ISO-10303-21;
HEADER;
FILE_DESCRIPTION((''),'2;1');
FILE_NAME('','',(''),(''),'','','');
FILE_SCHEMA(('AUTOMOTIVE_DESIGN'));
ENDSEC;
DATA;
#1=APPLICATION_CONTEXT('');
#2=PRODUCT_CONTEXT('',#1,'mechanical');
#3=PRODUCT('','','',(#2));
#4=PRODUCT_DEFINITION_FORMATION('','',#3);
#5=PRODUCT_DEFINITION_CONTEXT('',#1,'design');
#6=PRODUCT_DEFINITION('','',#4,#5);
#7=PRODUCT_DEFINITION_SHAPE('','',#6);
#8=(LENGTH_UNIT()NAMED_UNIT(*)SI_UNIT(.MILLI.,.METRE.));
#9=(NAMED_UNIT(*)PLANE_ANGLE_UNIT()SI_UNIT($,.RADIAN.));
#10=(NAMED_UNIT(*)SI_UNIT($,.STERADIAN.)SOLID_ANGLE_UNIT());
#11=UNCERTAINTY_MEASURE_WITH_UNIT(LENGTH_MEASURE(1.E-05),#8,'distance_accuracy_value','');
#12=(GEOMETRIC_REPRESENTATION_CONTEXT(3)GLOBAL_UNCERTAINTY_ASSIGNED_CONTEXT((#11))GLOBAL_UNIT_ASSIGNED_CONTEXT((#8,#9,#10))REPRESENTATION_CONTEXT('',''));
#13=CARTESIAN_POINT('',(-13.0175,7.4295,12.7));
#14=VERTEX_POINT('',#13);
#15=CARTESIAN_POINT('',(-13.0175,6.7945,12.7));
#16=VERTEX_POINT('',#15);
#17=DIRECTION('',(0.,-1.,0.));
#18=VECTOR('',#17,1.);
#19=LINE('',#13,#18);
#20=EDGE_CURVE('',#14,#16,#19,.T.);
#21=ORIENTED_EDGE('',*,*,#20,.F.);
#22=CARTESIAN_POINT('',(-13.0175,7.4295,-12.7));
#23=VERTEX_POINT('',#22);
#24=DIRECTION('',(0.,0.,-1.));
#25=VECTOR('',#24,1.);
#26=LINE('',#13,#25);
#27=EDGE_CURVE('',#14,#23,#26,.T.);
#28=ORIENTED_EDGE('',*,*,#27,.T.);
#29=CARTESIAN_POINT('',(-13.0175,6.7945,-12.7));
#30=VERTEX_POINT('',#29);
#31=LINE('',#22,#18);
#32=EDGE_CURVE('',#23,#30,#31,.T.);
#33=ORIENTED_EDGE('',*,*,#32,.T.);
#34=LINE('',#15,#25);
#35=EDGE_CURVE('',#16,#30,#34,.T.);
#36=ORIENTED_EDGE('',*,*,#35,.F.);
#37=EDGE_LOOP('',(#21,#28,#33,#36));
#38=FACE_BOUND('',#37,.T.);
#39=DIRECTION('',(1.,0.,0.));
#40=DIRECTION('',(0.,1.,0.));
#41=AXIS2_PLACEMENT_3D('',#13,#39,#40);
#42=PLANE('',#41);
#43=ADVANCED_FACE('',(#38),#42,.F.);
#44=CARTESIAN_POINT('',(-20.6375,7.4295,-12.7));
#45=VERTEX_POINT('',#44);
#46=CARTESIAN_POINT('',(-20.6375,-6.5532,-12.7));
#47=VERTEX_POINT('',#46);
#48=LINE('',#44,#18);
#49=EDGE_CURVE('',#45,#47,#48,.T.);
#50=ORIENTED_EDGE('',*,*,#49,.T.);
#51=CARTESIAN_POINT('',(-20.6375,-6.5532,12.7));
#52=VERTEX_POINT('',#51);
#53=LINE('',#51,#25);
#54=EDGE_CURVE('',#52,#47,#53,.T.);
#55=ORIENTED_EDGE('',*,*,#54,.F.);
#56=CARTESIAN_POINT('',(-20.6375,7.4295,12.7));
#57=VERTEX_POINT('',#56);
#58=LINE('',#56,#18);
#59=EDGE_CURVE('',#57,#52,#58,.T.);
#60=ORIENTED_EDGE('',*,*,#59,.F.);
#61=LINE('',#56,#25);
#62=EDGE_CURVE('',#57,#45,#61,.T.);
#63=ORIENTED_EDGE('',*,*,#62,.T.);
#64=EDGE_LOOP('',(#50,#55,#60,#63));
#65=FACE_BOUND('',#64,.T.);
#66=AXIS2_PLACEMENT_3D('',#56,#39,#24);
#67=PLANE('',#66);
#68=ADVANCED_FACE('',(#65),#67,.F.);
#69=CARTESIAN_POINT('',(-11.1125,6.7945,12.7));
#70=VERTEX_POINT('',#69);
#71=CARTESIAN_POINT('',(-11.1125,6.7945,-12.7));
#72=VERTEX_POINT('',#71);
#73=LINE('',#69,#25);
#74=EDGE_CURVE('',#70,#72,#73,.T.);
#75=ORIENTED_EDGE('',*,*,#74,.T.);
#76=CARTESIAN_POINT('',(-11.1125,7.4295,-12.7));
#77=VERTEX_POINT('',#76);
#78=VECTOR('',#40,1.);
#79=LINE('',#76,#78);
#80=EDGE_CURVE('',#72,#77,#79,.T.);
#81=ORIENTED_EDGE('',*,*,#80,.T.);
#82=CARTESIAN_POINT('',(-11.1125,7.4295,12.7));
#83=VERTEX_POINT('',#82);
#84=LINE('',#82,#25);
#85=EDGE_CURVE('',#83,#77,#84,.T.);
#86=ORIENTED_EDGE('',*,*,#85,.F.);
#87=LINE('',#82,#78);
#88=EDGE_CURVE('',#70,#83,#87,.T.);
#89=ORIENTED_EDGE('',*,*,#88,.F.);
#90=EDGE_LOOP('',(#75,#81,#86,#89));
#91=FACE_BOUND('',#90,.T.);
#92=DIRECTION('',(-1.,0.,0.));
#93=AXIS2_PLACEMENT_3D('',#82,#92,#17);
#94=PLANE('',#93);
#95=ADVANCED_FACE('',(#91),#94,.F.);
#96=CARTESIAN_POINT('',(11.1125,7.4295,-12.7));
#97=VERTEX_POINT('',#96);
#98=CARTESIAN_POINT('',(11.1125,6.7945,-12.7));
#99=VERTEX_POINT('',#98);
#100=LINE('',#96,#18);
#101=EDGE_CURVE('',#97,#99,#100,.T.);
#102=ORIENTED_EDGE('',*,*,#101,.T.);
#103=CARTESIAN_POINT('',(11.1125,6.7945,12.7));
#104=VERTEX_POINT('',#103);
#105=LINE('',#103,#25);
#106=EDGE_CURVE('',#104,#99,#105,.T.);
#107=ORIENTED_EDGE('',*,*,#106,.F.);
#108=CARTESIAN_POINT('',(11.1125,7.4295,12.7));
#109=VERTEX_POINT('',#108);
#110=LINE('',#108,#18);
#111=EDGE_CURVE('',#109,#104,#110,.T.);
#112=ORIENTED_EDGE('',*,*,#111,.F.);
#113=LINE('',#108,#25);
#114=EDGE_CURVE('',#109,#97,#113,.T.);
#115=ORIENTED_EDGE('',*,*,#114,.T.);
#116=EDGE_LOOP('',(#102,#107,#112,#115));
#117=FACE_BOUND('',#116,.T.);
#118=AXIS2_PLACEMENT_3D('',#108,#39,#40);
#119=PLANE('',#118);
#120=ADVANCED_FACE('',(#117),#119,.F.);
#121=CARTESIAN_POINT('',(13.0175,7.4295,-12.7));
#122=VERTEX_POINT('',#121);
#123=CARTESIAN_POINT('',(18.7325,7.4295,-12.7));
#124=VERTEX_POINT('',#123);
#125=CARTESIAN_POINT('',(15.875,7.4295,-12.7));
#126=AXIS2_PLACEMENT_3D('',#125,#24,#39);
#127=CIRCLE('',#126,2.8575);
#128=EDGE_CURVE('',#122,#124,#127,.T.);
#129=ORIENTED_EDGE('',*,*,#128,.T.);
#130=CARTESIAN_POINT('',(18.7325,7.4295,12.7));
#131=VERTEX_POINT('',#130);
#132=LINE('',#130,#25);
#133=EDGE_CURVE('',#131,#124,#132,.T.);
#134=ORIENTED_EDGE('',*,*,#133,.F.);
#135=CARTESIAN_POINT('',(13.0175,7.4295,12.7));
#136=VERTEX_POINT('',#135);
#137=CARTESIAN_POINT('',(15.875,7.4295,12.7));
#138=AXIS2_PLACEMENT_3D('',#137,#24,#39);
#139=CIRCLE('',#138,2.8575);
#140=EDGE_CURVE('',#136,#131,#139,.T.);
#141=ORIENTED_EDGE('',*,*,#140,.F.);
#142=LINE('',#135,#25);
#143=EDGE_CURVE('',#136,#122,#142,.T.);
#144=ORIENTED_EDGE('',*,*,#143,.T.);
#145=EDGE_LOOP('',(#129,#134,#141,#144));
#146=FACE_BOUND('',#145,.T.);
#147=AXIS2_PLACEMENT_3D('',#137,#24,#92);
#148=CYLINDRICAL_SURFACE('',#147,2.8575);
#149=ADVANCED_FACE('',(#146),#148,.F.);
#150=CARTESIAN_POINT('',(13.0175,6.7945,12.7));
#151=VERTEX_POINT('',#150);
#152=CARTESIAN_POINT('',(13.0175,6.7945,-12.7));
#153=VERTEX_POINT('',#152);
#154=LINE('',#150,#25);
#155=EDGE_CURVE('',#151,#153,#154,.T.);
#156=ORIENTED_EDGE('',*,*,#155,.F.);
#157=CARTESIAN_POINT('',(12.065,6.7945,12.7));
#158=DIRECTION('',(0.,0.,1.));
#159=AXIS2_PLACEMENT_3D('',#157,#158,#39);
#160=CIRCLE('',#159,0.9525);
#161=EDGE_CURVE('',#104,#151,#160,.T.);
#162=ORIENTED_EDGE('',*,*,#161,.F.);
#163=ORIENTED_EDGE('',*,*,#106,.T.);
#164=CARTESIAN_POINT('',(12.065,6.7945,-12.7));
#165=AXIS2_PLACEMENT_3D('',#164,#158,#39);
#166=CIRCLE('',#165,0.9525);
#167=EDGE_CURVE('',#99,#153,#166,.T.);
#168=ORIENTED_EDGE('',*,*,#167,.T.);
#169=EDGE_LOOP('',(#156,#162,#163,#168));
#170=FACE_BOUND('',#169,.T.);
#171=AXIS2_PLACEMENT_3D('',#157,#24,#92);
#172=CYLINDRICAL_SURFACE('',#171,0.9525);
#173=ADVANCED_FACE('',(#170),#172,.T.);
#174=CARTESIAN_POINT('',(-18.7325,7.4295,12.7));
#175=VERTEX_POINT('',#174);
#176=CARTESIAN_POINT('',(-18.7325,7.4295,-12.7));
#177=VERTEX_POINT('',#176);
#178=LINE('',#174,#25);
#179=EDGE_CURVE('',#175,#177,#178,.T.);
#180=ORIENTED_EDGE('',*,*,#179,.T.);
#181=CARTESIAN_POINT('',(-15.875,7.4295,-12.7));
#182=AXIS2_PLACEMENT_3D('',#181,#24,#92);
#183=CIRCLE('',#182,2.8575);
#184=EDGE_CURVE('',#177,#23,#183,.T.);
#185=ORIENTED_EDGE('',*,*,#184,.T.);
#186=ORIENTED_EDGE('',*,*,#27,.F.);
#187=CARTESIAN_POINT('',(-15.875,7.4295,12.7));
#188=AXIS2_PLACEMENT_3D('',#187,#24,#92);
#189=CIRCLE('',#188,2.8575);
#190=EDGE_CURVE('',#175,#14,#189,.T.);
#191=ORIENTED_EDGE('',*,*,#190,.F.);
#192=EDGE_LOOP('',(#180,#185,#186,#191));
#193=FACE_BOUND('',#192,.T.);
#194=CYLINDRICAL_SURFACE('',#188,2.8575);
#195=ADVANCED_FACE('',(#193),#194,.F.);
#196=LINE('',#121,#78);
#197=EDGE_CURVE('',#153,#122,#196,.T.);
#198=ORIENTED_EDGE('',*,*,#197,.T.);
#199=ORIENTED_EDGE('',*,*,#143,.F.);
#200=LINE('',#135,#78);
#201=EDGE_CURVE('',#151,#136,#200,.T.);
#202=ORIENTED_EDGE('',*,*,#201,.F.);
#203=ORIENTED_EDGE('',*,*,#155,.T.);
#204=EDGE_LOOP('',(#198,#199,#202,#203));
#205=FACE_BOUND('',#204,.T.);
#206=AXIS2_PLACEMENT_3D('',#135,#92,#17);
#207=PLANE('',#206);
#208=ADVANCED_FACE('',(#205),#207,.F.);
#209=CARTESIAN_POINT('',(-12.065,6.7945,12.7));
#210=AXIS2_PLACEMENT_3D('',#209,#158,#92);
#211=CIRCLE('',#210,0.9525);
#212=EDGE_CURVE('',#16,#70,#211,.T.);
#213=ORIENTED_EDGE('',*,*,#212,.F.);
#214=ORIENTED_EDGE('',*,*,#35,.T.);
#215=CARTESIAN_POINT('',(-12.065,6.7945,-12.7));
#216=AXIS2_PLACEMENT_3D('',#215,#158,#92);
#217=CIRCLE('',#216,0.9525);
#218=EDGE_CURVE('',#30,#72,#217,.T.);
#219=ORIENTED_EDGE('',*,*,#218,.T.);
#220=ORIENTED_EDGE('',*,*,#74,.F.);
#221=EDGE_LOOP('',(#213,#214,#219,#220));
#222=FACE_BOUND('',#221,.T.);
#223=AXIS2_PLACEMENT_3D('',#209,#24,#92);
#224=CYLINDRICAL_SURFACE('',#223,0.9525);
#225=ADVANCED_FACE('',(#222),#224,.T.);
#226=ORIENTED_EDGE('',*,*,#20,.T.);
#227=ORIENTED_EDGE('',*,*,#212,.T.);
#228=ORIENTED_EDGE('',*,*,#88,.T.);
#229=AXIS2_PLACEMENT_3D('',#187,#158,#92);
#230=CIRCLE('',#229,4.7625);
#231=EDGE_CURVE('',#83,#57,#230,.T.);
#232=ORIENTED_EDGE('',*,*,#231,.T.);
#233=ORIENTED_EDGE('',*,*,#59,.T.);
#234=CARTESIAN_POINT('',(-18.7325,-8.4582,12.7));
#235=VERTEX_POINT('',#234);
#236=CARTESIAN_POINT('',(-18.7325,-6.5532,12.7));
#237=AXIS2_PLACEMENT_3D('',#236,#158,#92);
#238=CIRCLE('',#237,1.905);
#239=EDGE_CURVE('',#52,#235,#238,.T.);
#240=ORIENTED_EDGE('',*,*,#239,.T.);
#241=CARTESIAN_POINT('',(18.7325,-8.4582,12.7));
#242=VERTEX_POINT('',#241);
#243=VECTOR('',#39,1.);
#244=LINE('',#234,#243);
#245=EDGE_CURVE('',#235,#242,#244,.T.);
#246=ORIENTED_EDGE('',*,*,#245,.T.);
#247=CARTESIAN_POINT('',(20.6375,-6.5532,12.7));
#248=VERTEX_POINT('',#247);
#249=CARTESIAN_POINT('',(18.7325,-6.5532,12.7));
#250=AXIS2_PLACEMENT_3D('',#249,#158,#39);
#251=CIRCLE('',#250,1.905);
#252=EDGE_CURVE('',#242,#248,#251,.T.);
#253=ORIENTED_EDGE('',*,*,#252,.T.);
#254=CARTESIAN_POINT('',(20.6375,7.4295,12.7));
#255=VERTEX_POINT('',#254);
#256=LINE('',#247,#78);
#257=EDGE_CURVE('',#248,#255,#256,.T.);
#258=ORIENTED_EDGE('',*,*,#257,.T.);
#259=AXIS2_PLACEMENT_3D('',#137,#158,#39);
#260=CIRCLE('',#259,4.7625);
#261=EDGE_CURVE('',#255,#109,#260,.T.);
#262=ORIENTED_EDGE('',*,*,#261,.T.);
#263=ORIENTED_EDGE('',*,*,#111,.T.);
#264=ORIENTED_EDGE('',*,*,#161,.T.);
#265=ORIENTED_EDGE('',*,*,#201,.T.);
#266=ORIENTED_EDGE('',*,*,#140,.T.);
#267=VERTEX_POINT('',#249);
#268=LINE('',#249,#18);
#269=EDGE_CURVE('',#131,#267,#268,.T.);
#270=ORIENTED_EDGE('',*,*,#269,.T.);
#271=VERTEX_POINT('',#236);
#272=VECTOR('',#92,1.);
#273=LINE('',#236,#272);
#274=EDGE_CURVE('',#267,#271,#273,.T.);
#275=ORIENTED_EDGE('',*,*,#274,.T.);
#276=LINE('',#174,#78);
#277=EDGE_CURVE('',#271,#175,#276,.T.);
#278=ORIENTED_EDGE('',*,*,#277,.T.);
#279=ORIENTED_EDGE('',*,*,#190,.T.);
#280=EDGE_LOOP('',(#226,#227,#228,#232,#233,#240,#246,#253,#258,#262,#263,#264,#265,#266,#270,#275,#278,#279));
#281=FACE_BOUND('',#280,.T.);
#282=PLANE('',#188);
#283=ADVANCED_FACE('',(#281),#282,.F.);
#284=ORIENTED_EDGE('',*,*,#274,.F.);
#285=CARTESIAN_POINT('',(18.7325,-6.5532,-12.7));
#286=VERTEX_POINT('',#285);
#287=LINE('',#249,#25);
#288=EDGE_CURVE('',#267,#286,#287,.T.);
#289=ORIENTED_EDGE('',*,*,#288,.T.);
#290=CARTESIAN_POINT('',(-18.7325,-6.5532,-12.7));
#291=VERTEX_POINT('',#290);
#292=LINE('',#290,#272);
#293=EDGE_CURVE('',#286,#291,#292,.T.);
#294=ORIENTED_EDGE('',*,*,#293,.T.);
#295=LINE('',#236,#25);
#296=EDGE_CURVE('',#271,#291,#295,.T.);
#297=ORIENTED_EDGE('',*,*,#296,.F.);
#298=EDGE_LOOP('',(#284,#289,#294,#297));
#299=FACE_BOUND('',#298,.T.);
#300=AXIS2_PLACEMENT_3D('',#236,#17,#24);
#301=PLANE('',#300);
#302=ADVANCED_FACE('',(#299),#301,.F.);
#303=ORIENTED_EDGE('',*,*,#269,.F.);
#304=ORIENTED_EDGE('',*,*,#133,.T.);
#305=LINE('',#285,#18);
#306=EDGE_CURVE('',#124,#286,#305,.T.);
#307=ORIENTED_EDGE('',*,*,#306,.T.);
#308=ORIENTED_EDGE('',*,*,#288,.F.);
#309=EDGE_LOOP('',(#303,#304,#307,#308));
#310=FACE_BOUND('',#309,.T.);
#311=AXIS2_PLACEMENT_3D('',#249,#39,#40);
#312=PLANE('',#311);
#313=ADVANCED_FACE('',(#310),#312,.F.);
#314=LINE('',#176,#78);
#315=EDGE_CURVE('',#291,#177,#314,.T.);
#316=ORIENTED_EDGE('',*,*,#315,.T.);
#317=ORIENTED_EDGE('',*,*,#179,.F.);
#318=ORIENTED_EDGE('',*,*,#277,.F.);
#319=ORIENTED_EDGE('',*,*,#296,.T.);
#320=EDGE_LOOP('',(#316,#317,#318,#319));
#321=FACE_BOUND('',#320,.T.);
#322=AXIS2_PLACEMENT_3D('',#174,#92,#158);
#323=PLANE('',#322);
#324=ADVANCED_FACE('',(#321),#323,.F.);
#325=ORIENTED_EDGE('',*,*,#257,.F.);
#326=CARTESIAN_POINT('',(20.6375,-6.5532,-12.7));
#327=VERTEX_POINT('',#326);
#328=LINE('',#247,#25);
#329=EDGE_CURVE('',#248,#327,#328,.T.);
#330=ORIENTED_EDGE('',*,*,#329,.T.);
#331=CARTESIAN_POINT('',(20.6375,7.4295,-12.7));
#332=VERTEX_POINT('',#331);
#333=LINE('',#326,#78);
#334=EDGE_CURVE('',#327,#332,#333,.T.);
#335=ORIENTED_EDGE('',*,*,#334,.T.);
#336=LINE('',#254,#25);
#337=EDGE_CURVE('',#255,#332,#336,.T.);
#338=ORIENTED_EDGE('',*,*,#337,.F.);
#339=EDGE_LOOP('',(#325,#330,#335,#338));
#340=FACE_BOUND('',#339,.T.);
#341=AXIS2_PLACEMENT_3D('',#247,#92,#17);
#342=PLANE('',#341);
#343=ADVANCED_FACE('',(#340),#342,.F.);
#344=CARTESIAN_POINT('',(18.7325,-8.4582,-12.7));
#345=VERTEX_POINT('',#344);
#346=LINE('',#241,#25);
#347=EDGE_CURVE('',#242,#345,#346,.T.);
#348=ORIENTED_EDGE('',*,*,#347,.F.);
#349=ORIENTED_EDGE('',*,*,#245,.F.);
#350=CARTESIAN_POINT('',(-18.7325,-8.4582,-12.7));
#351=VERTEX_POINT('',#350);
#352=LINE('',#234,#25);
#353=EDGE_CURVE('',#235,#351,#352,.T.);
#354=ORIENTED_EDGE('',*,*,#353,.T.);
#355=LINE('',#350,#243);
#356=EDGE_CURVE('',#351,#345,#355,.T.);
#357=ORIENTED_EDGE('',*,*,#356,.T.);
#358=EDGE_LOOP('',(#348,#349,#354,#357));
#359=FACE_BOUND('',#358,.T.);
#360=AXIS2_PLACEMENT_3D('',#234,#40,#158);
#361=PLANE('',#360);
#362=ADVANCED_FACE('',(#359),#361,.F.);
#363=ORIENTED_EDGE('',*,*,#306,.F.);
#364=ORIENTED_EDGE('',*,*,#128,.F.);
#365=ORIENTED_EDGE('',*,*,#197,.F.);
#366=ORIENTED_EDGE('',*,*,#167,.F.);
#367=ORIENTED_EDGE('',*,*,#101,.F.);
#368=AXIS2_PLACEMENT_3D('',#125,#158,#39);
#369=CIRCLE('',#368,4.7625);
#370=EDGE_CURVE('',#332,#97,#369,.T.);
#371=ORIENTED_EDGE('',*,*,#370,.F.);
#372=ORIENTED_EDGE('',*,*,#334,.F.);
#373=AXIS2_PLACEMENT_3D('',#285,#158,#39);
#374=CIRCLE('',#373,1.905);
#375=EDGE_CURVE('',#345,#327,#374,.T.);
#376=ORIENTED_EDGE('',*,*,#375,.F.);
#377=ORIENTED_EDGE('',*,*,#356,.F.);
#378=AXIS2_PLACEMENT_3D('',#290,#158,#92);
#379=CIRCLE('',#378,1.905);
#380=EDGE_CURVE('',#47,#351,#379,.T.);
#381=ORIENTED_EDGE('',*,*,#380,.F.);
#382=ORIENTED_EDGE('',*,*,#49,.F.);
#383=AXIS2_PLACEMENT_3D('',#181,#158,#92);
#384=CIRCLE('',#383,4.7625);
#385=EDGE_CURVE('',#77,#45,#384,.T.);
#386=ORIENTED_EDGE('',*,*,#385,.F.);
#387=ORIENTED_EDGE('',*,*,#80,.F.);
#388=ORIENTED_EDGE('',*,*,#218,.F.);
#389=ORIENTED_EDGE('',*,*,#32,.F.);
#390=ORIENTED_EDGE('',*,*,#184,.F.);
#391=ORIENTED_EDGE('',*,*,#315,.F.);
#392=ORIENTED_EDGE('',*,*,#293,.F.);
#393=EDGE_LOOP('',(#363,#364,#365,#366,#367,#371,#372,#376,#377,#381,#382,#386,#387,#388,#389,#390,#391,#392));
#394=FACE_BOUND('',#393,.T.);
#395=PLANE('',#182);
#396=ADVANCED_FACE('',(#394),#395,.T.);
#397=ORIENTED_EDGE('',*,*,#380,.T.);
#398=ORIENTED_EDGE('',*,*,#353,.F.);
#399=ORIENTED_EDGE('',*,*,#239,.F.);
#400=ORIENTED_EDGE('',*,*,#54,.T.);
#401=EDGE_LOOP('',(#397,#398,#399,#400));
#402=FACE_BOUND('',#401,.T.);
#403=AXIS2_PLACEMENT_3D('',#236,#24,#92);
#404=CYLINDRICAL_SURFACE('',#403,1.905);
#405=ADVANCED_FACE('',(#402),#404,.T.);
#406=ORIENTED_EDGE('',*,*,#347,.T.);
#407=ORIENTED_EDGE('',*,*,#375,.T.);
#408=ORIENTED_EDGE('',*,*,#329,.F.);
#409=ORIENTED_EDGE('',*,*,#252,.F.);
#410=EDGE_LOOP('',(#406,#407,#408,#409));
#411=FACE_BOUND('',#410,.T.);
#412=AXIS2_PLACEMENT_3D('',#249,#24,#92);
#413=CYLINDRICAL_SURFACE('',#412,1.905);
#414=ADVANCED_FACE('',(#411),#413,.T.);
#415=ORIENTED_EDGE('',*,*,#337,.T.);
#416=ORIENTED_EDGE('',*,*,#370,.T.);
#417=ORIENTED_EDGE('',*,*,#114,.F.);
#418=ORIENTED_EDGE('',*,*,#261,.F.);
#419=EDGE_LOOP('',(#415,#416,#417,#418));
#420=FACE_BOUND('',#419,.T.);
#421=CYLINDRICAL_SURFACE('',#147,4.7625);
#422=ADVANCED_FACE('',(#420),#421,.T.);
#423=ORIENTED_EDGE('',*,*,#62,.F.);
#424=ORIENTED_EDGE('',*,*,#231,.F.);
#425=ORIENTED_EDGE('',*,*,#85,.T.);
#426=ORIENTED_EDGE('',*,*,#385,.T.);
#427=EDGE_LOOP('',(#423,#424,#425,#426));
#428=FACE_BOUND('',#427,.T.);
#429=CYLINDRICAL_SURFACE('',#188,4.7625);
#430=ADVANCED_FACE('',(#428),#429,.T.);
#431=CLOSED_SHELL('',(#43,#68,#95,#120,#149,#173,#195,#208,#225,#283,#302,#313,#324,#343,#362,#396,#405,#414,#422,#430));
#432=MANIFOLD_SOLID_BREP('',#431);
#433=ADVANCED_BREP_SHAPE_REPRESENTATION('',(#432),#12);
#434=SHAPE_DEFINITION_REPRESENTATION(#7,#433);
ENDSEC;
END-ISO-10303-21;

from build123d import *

# Parameters (mm, degrees)
BASE_EXTRUDE_DEPTH = 12.7


with BuildPart() as part:
    # Sketch1 → Base-Extrude (new, symmetric)
    with BuildSketch(Plane.XY):
        with BuildLine():
            Line((-20.6375, 7.4295), (-20.6375, -6.5532))
            ThreePointArc((-20.6375, -6.5532), (-20.079538418, -7.900238418), (-18.7325, -8.4582))
            Line((-18.7325, -8.4582), (18.7325, -8.4582))
            ThreePointArc((18.7325, -8.4582), (20.079538418, -7.900238418), (20.6375, -6.5532))
            Line((20.6375, -6.5532), (20.6375, 7.4295))
            ThreePointArc((20.6375, 7.4295), (15.875, 12.192), (11.1125, 7.4295))
            Line((11.1125, 7.4295), (11.1125, 6.7945))
            ThreePointArc((11.1125, 6.7945), (12.065, 5.842), (13.0175, 6.7945))
            Line((13.0175, 6.7945), (13.0175, 7.4295))
            ThreePointArc((13.0175, 7.4295), (15.875, 10.287), (18.7325, 7.4295))
            Line((18.7325, 7.4295), (18.7325, -6.5532))
            Line((18.7325, -6.5532), (-18.7325, -6.5532))
            Line((-18.7325, -6.5532), (-18.7325, 7.4295))
            ThreePointArc((-18.7325, 7.4295), (-15.875, 10.287), (-13.0175, 7.4295))
            Line((-13.0175, 7.4295), (-13.0175, 6.7945))
            ThreePointArc((-13.0175, 6.7945), (-12.065, 5.842), (-11.1125, 6.7945))
            Line((-11.1125, 6.7945), (-11.1125, 7.4295))
            ThreePointArc((-11.1125, 7.4295), (-15.875, 12.192), (-20.6375, 7.4295))
        make_face()
    extrude(amount=BASE_EXTRUDE_DEPTH, both=True)


solid = part.part
